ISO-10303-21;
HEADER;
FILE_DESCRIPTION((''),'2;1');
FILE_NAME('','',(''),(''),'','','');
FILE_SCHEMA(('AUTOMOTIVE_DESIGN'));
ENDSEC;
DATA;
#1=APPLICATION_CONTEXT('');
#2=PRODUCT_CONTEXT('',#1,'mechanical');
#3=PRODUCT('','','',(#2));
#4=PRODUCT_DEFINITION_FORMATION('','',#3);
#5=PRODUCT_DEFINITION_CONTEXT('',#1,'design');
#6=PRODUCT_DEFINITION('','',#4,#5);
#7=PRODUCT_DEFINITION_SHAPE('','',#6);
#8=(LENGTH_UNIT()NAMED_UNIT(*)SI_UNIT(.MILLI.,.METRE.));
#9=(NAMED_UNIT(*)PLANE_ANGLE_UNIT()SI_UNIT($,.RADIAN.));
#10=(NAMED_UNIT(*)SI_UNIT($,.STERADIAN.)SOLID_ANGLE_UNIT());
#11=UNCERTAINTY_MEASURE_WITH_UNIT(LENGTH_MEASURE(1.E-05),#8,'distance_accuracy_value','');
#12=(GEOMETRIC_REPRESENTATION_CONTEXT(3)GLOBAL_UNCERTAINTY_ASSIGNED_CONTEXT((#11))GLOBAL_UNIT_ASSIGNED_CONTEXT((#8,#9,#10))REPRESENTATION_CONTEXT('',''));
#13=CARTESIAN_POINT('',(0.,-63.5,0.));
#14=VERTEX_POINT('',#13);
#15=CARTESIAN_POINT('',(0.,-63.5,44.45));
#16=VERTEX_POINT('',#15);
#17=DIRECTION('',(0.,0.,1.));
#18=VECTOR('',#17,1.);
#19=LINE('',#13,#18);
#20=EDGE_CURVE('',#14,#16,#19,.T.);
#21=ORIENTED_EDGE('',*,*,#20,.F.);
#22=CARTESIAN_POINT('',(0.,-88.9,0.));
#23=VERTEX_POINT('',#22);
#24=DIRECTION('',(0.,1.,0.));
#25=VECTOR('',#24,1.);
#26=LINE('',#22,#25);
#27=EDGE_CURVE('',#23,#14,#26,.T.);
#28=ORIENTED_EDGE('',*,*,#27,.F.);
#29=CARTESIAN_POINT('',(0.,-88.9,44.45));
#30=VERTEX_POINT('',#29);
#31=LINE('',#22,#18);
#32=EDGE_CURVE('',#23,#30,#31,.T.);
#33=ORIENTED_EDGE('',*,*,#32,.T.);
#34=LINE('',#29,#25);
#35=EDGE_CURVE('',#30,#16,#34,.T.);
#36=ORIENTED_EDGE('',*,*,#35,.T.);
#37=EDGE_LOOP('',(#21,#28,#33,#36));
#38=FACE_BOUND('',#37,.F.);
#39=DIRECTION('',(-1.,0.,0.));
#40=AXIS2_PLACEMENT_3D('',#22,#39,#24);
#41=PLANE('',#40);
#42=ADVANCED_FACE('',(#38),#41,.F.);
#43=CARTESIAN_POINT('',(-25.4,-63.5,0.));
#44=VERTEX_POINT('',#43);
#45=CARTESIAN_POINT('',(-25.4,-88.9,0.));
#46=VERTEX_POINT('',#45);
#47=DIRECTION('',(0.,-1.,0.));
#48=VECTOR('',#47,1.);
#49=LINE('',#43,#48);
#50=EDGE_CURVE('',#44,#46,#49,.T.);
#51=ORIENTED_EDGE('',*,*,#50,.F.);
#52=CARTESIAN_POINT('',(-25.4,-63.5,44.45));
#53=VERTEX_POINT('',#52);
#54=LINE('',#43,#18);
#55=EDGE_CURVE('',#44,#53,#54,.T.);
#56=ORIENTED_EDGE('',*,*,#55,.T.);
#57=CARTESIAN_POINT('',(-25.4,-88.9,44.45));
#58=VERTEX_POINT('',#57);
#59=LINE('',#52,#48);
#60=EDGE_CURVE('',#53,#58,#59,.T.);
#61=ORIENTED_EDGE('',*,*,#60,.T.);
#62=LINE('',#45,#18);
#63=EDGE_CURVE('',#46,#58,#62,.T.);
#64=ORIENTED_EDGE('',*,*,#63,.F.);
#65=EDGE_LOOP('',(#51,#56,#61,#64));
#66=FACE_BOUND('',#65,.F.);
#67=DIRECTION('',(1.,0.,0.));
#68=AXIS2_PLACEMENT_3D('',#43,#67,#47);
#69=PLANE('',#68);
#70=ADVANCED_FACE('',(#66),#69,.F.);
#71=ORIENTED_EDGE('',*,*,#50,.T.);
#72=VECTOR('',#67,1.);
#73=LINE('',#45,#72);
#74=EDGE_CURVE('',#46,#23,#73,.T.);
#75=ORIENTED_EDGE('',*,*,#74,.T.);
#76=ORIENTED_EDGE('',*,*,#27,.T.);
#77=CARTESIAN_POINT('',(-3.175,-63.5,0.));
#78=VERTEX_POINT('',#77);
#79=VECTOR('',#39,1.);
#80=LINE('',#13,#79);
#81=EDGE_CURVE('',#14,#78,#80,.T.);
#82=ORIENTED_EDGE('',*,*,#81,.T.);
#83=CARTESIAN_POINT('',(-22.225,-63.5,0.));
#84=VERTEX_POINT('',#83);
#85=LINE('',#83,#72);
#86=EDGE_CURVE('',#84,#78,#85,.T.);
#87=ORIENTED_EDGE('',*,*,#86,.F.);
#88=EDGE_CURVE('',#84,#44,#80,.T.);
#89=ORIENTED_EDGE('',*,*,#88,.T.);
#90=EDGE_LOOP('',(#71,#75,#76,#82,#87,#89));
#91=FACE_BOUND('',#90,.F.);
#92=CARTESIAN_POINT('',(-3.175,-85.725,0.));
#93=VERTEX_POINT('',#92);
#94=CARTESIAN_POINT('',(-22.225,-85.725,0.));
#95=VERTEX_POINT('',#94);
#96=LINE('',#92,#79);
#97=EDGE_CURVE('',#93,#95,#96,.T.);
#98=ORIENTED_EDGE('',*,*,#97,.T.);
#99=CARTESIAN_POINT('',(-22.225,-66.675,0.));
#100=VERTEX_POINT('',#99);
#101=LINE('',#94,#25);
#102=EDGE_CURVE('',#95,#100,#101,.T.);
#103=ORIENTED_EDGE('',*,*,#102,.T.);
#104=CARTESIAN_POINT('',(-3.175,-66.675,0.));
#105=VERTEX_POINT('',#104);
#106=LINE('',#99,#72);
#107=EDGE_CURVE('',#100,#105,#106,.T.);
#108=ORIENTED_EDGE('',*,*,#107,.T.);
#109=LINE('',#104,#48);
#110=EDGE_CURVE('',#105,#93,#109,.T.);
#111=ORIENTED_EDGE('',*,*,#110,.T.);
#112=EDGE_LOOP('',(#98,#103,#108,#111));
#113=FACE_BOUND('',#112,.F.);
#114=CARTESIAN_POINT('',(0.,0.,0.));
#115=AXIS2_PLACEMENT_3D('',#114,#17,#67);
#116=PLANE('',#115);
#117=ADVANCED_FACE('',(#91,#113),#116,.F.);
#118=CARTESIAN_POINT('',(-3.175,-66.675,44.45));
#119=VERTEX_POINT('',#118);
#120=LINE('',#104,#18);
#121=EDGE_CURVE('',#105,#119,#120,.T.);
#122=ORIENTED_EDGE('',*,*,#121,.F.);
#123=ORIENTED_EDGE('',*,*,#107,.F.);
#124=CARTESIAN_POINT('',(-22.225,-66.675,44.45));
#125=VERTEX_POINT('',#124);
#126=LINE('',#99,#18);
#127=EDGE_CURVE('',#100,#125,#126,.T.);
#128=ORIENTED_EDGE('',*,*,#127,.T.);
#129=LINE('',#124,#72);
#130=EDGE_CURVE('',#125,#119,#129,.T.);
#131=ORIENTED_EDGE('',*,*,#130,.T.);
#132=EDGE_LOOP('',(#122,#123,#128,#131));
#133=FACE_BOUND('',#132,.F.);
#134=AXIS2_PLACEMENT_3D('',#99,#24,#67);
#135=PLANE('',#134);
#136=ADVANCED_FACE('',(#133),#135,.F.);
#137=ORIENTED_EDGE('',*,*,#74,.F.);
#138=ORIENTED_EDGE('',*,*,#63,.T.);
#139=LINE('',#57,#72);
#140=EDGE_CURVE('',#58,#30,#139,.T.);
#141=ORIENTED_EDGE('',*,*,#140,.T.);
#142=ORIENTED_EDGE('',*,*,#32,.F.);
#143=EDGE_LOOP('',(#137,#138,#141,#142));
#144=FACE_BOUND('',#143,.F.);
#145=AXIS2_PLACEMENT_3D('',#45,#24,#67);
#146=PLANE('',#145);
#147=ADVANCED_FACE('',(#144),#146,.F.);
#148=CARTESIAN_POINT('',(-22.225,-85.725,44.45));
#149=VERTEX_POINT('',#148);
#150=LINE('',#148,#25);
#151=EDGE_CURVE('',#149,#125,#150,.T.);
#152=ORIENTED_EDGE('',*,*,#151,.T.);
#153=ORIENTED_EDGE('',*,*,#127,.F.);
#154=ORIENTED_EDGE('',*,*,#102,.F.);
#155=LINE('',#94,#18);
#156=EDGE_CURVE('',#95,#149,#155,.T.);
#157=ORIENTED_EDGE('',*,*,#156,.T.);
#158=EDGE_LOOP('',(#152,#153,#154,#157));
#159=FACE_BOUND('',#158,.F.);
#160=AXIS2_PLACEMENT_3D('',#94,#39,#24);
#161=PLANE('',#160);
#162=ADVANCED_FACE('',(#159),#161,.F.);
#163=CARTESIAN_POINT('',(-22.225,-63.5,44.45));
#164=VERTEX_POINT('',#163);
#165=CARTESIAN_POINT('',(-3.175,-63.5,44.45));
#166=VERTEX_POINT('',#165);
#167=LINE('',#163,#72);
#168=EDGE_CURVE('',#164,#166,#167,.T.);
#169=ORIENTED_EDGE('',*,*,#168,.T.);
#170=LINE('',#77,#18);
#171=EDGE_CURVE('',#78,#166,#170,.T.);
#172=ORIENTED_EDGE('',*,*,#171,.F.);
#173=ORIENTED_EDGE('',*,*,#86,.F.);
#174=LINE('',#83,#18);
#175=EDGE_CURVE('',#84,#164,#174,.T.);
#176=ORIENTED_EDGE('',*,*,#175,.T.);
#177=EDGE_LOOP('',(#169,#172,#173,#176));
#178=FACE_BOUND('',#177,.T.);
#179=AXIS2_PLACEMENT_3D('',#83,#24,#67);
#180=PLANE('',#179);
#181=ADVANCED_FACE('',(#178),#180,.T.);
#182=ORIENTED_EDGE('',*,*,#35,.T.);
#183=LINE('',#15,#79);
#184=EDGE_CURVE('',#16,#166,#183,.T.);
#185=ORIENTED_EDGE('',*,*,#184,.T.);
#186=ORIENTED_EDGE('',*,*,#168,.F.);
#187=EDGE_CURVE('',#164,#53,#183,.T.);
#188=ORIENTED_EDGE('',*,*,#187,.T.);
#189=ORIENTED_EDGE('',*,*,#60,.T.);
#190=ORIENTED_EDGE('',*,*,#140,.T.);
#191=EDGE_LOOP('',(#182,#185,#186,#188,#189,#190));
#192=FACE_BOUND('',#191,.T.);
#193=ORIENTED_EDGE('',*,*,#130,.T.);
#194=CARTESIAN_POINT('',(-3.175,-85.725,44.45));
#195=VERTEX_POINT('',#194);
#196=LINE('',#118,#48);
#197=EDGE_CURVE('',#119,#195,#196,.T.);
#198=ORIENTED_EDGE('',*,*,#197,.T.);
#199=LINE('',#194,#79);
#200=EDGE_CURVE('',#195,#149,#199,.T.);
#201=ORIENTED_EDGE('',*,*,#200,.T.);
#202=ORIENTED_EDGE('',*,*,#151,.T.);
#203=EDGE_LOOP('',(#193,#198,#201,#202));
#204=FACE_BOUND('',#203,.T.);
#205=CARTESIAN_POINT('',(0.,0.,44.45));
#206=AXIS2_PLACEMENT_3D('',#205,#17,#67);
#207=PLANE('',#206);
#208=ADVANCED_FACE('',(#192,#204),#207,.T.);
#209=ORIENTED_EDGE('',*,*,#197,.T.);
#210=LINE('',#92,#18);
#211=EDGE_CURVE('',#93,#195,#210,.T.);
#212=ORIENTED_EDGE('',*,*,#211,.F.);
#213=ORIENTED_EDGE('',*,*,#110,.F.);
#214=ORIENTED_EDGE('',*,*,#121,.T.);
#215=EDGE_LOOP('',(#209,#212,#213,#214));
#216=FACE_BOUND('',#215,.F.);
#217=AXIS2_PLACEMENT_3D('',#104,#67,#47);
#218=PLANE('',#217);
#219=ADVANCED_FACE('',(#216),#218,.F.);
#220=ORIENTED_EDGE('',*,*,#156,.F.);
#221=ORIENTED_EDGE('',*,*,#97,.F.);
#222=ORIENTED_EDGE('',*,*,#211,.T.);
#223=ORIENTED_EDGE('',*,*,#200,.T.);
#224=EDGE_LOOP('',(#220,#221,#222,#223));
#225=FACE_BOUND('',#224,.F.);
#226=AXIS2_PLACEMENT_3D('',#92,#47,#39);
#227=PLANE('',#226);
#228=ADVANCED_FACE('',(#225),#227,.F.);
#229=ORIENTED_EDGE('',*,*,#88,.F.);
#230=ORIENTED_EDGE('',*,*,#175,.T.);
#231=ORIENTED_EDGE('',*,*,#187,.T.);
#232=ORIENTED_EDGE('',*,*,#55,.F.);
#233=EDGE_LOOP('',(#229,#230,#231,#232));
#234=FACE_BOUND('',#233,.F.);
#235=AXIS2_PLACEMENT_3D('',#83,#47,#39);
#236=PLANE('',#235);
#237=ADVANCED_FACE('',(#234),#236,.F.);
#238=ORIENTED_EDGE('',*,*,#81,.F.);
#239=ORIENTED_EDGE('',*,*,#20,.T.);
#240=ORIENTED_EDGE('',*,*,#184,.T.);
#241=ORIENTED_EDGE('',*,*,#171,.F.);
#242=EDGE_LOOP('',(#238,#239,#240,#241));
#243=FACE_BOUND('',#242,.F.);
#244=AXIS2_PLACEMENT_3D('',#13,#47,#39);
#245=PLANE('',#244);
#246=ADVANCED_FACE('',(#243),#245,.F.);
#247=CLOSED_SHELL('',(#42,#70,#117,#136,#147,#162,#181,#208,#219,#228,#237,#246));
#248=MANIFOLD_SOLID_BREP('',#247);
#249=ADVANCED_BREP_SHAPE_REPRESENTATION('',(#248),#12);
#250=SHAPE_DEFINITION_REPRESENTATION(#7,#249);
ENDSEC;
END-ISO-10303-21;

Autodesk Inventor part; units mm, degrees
ref_plane "YZ Plane" through (0, 0, 0) normal (1, 0, 0) x (0, 1, 0)
ref_plane "XZ Plane" through (0, 0, 0) normal (0, 1, 0) x (-1, 0, 0)
ref_plane "XY Plane" through (0, 0, 0) normal (0, 0, 1) x (1, 0, 0)
sketch "Sketch1" plane through (0, 0, 0) normal (0, 0, 1) x (1, 0, 0)
  line L0 (-22.225, -63.5) -> (-3.175, -63.5) projected
  line L1 (0, -63.5) -> (-25.4, -63.5)
  line L2 (-25.4, -63.5) -> (-25.4, -88.9)
  line L3 (-25.4, -88.9) -> (0, -88.9)
  line L4 (0, -88.9) -> (0, -63.5)
  line L5 (-22.225, -85.725) -> (-22.225, -66.675)
  line L6 (-22.225, -66.675) -> (-3.175, -66.675)
  line L7 (-3.175, -66.675) -> (-3.175, -85.725)
  line L8 (-3.175, -85.725) -> (-22.225, -85.725)
  point P0 (0, 0)
  dimension "d0" = 25.4
  dimension "d1" = 25.4
  dimension "d2" = 3.175
extrude "Extrusion1" add sketch "Sketch1" along normal blind 44.45
properties part number "2018 Cube Back Stop Vertical"
